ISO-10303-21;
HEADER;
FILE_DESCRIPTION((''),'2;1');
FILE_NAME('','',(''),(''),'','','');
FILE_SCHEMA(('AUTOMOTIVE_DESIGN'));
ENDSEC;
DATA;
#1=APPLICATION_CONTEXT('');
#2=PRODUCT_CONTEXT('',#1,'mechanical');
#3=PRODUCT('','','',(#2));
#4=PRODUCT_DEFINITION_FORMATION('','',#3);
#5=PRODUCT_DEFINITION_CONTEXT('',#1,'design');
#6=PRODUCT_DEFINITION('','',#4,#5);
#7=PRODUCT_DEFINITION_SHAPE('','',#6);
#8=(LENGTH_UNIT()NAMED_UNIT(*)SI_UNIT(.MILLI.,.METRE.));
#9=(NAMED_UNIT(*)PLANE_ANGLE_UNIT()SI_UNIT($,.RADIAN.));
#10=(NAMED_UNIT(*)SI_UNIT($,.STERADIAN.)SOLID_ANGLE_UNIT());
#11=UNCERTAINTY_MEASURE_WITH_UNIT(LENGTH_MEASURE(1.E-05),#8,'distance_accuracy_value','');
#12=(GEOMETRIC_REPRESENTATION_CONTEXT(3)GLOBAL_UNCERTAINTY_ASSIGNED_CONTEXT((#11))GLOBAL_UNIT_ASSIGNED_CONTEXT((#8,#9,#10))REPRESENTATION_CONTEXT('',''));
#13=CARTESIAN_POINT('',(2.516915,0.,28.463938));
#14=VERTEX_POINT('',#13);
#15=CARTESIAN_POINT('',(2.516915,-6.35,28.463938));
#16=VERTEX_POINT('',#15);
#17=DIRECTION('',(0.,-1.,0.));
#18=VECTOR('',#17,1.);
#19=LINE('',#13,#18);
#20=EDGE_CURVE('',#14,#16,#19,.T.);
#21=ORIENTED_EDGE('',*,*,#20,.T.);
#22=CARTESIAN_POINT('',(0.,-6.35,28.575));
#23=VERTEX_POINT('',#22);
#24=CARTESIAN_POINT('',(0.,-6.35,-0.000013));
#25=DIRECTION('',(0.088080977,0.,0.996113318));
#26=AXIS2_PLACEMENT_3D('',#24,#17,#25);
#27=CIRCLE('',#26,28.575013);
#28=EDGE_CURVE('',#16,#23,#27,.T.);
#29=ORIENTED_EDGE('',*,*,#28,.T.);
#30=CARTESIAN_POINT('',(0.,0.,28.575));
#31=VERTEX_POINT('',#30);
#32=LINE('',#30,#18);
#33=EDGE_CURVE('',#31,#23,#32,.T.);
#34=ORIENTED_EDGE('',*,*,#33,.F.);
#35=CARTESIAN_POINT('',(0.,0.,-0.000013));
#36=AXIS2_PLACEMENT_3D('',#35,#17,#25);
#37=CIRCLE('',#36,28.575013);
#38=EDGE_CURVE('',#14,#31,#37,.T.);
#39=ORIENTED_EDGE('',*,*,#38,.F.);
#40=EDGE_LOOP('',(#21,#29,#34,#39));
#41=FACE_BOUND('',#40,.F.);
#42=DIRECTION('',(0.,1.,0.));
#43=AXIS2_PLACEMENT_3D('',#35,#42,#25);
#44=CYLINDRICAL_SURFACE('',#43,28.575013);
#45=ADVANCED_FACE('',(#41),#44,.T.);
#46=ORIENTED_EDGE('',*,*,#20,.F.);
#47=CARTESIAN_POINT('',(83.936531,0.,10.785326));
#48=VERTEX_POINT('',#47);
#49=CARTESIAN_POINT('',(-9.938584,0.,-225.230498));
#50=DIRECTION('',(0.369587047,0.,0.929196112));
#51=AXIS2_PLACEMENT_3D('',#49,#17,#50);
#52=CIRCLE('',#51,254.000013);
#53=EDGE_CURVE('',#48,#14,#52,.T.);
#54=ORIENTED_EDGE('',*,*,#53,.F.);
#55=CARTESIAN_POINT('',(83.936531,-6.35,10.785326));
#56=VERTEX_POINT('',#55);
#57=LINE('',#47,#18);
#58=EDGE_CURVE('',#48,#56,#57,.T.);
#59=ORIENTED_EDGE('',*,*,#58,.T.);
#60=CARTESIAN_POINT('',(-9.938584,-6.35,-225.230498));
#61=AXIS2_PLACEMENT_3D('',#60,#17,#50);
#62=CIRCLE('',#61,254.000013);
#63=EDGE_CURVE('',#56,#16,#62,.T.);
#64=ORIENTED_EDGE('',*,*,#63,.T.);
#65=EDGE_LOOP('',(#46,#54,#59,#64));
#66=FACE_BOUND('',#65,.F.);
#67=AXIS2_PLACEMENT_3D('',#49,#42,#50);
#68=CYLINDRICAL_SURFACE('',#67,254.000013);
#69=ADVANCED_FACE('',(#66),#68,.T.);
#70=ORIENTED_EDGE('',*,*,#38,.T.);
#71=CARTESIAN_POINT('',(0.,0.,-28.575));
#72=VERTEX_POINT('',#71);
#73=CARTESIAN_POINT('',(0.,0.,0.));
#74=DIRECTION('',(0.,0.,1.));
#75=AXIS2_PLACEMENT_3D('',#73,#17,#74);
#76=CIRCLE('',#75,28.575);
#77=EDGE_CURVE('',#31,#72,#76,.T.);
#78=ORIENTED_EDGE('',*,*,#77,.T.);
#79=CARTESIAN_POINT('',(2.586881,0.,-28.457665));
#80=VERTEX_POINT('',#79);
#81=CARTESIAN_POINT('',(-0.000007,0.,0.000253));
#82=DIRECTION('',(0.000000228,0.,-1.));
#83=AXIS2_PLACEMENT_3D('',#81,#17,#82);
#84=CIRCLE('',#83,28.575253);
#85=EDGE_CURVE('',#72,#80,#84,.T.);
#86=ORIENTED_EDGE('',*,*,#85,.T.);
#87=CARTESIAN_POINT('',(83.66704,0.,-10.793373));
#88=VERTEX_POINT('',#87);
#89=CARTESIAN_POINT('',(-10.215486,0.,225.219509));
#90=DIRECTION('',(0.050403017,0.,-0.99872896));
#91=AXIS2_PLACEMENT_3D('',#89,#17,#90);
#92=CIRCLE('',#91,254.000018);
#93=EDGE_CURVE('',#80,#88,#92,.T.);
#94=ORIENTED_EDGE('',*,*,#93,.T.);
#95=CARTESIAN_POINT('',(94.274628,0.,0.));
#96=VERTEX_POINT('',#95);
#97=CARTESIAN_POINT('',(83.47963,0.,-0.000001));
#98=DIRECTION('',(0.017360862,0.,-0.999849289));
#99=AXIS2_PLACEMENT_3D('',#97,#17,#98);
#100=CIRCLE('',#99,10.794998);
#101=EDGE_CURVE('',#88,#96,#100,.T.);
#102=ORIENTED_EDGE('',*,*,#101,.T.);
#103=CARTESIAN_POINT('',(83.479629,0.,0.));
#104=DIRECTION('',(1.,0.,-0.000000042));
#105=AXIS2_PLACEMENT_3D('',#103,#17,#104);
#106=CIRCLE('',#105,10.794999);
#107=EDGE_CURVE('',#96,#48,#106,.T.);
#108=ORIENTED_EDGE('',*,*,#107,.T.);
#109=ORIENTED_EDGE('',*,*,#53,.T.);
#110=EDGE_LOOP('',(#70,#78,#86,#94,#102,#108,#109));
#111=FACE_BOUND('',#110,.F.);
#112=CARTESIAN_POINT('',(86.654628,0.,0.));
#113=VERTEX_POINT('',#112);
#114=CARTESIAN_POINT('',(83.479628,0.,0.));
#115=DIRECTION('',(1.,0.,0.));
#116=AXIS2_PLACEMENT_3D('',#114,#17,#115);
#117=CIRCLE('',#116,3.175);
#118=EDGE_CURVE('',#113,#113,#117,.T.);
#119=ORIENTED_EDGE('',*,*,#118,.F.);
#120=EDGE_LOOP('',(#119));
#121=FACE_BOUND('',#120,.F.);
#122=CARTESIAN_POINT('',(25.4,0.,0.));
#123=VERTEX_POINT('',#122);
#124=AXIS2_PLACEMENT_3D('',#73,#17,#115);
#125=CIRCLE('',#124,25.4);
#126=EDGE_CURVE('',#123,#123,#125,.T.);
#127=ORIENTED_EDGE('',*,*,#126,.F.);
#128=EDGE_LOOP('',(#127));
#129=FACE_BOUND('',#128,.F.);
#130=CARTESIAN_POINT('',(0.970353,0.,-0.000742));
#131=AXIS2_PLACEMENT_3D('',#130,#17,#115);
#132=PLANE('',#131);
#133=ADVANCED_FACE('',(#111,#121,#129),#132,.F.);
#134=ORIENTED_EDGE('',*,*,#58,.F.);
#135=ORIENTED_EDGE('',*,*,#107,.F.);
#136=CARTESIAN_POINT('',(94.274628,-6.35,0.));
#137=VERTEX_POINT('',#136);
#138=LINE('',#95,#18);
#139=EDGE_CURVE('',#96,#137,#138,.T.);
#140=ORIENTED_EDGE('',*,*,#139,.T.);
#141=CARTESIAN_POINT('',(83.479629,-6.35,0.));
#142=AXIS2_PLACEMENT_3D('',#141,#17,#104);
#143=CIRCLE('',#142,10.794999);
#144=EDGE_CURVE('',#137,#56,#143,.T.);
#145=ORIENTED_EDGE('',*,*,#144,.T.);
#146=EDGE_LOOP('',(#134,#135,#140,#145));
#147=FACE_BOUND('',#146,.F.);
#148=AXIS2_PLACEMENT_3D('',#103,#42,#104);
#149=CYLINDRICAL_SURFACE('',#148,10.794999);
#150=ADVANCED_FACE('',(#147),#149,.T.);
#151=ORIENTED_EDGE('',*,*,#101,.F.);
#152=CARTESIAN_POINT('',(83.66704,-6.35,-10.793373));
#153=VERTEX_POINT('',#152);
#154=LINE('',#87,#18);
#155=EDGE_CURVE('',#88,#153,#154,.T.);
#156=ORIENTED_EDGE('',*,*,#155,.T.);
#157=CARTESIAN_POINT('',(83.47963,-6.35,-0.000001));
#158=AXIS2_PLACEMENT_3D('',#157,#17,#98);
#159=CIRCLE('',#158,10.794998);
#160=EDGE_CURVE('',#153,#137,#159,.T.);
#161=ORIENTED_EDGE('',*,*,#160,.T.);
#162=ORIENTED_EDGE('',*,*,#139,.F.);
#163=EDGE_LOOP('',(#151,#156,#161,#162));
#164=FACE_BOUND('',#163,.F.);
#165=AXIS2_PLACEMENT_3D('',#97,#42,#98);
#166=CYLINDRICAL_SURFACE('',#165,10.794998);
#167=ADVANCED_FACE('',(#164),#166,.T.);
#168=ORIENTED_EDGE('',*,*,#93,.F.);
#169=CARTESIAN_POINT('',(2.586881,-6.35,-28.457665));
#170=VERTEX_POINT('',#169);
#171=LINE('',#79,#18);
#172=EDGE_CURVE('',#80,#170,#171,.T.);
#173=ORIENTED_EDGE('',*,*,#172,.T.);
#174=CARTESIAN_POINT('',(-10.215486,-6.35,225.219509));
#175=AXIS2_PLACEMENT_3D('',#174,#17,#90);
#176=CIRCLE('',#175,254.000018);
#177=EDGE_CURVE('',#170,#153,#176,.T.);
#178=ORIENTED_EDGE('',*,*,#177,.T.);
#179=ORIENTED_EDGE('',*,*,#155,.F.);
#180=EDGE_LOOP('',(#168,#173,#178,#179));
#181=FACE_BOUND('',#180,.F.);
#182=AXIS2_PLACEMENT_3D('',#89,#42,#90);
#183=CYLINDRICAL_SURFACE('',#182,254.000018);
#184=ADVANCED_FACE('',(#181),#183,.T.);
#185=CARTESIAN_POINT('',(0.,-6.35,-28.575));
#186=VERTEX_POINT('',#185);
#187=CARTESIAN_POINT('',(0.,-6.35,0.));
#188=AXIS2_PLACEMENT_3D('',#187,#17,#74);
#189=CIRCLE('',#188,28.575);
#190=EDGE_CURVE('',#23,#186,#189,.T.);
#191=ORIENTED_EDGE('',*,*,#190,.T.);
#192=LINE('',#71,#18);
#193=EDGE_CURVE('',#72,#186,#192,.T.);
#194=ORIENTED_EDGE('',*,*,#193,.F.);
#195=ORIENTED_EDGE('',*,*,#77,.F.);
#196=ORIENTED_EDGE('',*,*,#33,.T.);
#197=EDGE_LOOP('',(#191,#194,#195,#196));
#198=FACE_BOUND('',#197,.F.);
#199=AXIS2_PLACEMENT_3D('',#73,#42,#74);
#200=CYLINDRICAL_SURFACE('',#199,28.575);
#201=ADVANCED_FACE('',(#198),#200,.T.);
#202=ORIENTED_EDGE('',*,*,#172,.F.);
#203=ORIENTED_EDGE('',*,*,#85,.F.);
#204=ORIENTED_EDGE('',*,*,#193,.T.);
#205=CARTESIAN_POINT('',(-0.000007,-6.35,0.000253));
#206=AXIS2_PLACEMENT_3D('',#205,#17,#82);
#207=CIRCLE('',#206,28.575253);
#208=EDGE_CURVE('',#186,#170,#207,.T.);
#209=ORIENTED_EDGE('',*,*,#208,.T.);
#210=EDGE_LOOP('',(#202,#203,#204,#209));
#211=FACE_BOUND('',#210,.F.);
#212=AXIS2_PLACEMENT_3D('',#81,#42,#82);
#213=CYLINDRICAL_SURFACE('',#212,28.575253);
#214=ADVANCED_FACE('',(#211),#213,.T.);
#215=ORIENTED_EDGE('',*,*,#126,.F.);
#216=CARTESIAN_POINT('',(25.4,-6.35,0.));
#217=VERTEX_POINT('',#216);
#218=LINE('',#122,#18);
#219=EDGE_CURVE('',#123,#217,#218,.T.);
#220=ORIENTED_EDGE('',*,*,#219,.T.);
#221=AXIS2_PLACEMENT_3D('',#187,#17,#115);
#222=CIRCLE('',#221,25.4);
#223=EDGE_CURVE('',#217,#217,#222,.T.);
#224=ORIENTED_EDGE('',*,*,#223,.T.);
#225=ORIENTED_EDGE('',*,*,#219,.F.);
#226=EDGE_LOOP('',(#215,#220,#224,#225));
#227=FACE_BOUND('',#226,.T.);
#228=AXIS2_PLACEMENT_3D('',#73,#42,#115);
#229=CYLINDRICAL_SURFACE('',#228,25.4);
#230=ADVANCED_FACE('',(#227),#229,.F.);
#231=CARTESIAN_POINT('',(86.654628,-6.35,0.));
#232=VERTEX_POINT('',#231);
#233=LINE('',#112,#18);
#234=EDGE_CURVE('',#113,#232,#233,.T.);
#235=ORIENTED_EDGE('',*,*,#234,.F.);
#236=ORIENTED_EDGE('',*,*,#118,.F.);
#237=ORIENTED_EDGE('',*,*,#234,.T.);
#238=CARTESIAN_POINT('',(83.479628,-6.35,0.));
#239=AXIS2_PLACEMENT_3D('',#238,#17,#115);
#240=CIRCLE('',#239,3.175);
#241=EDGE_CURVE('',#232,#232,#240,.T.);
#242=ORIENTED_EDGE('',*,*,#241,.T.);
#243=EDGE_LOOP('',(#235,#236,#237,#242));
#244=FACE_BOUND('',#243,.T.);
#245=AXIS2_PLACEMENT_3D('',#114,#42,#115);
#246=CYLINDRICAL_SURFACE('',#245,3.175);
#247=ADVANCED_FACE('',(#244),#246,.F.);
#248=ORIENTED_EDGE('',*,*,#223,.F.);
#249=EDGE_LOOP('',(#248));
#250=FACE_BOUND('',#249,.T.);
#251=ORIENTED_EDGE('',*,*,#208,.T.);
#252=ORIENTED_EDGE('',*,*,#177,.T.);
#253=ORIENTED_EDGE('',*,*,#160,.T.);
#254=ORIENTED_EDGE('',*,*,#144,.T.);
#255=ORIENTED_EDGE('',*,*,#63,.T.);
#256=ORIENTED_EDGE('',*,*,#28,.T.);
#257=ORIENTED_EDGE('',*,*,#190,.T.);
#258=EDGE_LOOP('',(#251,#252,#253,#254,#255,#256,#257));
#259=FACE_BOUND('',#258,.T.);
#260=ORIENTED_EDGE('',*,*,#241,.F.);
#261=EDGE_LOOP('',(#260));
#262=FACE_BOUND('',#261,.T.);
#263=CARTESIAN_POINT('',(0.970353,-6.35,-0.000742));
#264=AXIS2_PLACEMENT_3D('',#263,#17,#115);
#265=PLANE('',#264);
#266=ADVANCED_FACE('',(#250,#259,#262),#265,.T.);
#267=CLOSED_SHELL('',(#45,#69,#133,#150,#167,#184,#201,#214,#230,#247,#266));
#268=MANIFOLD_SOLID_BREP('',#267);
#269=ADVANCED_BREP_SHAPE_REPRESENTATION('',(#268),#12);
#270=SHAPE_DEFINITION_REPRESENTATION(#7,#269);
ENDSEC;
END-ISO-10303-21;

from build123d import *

# Parameters (mm, degrees)
F0_R     = 25.4
F0_R_2   = 3.175
F1_DEPTH = 6.35


with BuildPart() as f1:
    # F0 (on Front) → F1 (new body)
    with BuildSketch(Plane.XZ):
        with BuildLine():
            ThreePointArc((2.516915, 28.463938), (1.258595, 28.52259), (0, 28.575))
            ThreePointArc((0, 28.575), (-28.575, 0), (0, -28.575))
            ThreePointArc((0, -28.575), (1.29359, -28.519629), (2.586881, -28.457665))
            ThreePointArc((2.586881, -28.457665), (21.100364, -19.269282), (28.575, 0))
            ThreePointArc((28.575, 0), (21.076663, 19.295204), (2.516915, 28.463938))
        make_face()
        Circle(F0_R, mode=Mode.SUBTRACT)
        with BuildLine():
            ThreePointArc((2.516915, 28.463938), (1.259682, 28.547221), (0, 28.575))
            ThreePointArc((0, 28.575), (1.258595, 28.52259), (2.516915, 28.463938))
        make_face()
        with BuildLine():
            ThreePointArc((2.586881, -28.457665), (1.29359, -28.519629), (0, -28.575))
            ThreePointArc((0, -28.575), (1.294771, -28.545651), (2.586881, -28.457665))
        make_face()
        with BuildLine():
            ThreePointArc((83.936531, 10.785326), (43.956529, 22.985785), (2.516915, 28.463938))
            ThreePointArc((2.516915, 28.463938), (21.076663, 19.295204), (28.575, 0))
            ThreePointArc((28.575, 0), (21.100364, -19.269282), (2.586881, -28.457665))
            ThreePointArc((2.586881, -28.457665), (43.853206, -22.959027), (83.66704, -10.793373))
            ThreePointArc((83.66704, -10.793373), (72.68547, 0.134806), (83.936531, 10.785326))
        make_face()
        with BuildLine():
            ThreePointArc((94.274628, 0), (91.272711, 7.469932), (83.936531, 10.785326))
            ThreePointArc((83.936531, 10.785326), (72.68547, 0.134806), (83.66704, -10.793373))
            ThreePointArc((83.66704, -10.793373), (91.178821, -7.566668), (94.274628, 0))
        make_face()
        with Locations((83.479628, 0)):
            Circle(F0_R_2, mode=Mode.SUBTRACT)
    extrude(amount=F1_DEPTH)


solid = f1.part
